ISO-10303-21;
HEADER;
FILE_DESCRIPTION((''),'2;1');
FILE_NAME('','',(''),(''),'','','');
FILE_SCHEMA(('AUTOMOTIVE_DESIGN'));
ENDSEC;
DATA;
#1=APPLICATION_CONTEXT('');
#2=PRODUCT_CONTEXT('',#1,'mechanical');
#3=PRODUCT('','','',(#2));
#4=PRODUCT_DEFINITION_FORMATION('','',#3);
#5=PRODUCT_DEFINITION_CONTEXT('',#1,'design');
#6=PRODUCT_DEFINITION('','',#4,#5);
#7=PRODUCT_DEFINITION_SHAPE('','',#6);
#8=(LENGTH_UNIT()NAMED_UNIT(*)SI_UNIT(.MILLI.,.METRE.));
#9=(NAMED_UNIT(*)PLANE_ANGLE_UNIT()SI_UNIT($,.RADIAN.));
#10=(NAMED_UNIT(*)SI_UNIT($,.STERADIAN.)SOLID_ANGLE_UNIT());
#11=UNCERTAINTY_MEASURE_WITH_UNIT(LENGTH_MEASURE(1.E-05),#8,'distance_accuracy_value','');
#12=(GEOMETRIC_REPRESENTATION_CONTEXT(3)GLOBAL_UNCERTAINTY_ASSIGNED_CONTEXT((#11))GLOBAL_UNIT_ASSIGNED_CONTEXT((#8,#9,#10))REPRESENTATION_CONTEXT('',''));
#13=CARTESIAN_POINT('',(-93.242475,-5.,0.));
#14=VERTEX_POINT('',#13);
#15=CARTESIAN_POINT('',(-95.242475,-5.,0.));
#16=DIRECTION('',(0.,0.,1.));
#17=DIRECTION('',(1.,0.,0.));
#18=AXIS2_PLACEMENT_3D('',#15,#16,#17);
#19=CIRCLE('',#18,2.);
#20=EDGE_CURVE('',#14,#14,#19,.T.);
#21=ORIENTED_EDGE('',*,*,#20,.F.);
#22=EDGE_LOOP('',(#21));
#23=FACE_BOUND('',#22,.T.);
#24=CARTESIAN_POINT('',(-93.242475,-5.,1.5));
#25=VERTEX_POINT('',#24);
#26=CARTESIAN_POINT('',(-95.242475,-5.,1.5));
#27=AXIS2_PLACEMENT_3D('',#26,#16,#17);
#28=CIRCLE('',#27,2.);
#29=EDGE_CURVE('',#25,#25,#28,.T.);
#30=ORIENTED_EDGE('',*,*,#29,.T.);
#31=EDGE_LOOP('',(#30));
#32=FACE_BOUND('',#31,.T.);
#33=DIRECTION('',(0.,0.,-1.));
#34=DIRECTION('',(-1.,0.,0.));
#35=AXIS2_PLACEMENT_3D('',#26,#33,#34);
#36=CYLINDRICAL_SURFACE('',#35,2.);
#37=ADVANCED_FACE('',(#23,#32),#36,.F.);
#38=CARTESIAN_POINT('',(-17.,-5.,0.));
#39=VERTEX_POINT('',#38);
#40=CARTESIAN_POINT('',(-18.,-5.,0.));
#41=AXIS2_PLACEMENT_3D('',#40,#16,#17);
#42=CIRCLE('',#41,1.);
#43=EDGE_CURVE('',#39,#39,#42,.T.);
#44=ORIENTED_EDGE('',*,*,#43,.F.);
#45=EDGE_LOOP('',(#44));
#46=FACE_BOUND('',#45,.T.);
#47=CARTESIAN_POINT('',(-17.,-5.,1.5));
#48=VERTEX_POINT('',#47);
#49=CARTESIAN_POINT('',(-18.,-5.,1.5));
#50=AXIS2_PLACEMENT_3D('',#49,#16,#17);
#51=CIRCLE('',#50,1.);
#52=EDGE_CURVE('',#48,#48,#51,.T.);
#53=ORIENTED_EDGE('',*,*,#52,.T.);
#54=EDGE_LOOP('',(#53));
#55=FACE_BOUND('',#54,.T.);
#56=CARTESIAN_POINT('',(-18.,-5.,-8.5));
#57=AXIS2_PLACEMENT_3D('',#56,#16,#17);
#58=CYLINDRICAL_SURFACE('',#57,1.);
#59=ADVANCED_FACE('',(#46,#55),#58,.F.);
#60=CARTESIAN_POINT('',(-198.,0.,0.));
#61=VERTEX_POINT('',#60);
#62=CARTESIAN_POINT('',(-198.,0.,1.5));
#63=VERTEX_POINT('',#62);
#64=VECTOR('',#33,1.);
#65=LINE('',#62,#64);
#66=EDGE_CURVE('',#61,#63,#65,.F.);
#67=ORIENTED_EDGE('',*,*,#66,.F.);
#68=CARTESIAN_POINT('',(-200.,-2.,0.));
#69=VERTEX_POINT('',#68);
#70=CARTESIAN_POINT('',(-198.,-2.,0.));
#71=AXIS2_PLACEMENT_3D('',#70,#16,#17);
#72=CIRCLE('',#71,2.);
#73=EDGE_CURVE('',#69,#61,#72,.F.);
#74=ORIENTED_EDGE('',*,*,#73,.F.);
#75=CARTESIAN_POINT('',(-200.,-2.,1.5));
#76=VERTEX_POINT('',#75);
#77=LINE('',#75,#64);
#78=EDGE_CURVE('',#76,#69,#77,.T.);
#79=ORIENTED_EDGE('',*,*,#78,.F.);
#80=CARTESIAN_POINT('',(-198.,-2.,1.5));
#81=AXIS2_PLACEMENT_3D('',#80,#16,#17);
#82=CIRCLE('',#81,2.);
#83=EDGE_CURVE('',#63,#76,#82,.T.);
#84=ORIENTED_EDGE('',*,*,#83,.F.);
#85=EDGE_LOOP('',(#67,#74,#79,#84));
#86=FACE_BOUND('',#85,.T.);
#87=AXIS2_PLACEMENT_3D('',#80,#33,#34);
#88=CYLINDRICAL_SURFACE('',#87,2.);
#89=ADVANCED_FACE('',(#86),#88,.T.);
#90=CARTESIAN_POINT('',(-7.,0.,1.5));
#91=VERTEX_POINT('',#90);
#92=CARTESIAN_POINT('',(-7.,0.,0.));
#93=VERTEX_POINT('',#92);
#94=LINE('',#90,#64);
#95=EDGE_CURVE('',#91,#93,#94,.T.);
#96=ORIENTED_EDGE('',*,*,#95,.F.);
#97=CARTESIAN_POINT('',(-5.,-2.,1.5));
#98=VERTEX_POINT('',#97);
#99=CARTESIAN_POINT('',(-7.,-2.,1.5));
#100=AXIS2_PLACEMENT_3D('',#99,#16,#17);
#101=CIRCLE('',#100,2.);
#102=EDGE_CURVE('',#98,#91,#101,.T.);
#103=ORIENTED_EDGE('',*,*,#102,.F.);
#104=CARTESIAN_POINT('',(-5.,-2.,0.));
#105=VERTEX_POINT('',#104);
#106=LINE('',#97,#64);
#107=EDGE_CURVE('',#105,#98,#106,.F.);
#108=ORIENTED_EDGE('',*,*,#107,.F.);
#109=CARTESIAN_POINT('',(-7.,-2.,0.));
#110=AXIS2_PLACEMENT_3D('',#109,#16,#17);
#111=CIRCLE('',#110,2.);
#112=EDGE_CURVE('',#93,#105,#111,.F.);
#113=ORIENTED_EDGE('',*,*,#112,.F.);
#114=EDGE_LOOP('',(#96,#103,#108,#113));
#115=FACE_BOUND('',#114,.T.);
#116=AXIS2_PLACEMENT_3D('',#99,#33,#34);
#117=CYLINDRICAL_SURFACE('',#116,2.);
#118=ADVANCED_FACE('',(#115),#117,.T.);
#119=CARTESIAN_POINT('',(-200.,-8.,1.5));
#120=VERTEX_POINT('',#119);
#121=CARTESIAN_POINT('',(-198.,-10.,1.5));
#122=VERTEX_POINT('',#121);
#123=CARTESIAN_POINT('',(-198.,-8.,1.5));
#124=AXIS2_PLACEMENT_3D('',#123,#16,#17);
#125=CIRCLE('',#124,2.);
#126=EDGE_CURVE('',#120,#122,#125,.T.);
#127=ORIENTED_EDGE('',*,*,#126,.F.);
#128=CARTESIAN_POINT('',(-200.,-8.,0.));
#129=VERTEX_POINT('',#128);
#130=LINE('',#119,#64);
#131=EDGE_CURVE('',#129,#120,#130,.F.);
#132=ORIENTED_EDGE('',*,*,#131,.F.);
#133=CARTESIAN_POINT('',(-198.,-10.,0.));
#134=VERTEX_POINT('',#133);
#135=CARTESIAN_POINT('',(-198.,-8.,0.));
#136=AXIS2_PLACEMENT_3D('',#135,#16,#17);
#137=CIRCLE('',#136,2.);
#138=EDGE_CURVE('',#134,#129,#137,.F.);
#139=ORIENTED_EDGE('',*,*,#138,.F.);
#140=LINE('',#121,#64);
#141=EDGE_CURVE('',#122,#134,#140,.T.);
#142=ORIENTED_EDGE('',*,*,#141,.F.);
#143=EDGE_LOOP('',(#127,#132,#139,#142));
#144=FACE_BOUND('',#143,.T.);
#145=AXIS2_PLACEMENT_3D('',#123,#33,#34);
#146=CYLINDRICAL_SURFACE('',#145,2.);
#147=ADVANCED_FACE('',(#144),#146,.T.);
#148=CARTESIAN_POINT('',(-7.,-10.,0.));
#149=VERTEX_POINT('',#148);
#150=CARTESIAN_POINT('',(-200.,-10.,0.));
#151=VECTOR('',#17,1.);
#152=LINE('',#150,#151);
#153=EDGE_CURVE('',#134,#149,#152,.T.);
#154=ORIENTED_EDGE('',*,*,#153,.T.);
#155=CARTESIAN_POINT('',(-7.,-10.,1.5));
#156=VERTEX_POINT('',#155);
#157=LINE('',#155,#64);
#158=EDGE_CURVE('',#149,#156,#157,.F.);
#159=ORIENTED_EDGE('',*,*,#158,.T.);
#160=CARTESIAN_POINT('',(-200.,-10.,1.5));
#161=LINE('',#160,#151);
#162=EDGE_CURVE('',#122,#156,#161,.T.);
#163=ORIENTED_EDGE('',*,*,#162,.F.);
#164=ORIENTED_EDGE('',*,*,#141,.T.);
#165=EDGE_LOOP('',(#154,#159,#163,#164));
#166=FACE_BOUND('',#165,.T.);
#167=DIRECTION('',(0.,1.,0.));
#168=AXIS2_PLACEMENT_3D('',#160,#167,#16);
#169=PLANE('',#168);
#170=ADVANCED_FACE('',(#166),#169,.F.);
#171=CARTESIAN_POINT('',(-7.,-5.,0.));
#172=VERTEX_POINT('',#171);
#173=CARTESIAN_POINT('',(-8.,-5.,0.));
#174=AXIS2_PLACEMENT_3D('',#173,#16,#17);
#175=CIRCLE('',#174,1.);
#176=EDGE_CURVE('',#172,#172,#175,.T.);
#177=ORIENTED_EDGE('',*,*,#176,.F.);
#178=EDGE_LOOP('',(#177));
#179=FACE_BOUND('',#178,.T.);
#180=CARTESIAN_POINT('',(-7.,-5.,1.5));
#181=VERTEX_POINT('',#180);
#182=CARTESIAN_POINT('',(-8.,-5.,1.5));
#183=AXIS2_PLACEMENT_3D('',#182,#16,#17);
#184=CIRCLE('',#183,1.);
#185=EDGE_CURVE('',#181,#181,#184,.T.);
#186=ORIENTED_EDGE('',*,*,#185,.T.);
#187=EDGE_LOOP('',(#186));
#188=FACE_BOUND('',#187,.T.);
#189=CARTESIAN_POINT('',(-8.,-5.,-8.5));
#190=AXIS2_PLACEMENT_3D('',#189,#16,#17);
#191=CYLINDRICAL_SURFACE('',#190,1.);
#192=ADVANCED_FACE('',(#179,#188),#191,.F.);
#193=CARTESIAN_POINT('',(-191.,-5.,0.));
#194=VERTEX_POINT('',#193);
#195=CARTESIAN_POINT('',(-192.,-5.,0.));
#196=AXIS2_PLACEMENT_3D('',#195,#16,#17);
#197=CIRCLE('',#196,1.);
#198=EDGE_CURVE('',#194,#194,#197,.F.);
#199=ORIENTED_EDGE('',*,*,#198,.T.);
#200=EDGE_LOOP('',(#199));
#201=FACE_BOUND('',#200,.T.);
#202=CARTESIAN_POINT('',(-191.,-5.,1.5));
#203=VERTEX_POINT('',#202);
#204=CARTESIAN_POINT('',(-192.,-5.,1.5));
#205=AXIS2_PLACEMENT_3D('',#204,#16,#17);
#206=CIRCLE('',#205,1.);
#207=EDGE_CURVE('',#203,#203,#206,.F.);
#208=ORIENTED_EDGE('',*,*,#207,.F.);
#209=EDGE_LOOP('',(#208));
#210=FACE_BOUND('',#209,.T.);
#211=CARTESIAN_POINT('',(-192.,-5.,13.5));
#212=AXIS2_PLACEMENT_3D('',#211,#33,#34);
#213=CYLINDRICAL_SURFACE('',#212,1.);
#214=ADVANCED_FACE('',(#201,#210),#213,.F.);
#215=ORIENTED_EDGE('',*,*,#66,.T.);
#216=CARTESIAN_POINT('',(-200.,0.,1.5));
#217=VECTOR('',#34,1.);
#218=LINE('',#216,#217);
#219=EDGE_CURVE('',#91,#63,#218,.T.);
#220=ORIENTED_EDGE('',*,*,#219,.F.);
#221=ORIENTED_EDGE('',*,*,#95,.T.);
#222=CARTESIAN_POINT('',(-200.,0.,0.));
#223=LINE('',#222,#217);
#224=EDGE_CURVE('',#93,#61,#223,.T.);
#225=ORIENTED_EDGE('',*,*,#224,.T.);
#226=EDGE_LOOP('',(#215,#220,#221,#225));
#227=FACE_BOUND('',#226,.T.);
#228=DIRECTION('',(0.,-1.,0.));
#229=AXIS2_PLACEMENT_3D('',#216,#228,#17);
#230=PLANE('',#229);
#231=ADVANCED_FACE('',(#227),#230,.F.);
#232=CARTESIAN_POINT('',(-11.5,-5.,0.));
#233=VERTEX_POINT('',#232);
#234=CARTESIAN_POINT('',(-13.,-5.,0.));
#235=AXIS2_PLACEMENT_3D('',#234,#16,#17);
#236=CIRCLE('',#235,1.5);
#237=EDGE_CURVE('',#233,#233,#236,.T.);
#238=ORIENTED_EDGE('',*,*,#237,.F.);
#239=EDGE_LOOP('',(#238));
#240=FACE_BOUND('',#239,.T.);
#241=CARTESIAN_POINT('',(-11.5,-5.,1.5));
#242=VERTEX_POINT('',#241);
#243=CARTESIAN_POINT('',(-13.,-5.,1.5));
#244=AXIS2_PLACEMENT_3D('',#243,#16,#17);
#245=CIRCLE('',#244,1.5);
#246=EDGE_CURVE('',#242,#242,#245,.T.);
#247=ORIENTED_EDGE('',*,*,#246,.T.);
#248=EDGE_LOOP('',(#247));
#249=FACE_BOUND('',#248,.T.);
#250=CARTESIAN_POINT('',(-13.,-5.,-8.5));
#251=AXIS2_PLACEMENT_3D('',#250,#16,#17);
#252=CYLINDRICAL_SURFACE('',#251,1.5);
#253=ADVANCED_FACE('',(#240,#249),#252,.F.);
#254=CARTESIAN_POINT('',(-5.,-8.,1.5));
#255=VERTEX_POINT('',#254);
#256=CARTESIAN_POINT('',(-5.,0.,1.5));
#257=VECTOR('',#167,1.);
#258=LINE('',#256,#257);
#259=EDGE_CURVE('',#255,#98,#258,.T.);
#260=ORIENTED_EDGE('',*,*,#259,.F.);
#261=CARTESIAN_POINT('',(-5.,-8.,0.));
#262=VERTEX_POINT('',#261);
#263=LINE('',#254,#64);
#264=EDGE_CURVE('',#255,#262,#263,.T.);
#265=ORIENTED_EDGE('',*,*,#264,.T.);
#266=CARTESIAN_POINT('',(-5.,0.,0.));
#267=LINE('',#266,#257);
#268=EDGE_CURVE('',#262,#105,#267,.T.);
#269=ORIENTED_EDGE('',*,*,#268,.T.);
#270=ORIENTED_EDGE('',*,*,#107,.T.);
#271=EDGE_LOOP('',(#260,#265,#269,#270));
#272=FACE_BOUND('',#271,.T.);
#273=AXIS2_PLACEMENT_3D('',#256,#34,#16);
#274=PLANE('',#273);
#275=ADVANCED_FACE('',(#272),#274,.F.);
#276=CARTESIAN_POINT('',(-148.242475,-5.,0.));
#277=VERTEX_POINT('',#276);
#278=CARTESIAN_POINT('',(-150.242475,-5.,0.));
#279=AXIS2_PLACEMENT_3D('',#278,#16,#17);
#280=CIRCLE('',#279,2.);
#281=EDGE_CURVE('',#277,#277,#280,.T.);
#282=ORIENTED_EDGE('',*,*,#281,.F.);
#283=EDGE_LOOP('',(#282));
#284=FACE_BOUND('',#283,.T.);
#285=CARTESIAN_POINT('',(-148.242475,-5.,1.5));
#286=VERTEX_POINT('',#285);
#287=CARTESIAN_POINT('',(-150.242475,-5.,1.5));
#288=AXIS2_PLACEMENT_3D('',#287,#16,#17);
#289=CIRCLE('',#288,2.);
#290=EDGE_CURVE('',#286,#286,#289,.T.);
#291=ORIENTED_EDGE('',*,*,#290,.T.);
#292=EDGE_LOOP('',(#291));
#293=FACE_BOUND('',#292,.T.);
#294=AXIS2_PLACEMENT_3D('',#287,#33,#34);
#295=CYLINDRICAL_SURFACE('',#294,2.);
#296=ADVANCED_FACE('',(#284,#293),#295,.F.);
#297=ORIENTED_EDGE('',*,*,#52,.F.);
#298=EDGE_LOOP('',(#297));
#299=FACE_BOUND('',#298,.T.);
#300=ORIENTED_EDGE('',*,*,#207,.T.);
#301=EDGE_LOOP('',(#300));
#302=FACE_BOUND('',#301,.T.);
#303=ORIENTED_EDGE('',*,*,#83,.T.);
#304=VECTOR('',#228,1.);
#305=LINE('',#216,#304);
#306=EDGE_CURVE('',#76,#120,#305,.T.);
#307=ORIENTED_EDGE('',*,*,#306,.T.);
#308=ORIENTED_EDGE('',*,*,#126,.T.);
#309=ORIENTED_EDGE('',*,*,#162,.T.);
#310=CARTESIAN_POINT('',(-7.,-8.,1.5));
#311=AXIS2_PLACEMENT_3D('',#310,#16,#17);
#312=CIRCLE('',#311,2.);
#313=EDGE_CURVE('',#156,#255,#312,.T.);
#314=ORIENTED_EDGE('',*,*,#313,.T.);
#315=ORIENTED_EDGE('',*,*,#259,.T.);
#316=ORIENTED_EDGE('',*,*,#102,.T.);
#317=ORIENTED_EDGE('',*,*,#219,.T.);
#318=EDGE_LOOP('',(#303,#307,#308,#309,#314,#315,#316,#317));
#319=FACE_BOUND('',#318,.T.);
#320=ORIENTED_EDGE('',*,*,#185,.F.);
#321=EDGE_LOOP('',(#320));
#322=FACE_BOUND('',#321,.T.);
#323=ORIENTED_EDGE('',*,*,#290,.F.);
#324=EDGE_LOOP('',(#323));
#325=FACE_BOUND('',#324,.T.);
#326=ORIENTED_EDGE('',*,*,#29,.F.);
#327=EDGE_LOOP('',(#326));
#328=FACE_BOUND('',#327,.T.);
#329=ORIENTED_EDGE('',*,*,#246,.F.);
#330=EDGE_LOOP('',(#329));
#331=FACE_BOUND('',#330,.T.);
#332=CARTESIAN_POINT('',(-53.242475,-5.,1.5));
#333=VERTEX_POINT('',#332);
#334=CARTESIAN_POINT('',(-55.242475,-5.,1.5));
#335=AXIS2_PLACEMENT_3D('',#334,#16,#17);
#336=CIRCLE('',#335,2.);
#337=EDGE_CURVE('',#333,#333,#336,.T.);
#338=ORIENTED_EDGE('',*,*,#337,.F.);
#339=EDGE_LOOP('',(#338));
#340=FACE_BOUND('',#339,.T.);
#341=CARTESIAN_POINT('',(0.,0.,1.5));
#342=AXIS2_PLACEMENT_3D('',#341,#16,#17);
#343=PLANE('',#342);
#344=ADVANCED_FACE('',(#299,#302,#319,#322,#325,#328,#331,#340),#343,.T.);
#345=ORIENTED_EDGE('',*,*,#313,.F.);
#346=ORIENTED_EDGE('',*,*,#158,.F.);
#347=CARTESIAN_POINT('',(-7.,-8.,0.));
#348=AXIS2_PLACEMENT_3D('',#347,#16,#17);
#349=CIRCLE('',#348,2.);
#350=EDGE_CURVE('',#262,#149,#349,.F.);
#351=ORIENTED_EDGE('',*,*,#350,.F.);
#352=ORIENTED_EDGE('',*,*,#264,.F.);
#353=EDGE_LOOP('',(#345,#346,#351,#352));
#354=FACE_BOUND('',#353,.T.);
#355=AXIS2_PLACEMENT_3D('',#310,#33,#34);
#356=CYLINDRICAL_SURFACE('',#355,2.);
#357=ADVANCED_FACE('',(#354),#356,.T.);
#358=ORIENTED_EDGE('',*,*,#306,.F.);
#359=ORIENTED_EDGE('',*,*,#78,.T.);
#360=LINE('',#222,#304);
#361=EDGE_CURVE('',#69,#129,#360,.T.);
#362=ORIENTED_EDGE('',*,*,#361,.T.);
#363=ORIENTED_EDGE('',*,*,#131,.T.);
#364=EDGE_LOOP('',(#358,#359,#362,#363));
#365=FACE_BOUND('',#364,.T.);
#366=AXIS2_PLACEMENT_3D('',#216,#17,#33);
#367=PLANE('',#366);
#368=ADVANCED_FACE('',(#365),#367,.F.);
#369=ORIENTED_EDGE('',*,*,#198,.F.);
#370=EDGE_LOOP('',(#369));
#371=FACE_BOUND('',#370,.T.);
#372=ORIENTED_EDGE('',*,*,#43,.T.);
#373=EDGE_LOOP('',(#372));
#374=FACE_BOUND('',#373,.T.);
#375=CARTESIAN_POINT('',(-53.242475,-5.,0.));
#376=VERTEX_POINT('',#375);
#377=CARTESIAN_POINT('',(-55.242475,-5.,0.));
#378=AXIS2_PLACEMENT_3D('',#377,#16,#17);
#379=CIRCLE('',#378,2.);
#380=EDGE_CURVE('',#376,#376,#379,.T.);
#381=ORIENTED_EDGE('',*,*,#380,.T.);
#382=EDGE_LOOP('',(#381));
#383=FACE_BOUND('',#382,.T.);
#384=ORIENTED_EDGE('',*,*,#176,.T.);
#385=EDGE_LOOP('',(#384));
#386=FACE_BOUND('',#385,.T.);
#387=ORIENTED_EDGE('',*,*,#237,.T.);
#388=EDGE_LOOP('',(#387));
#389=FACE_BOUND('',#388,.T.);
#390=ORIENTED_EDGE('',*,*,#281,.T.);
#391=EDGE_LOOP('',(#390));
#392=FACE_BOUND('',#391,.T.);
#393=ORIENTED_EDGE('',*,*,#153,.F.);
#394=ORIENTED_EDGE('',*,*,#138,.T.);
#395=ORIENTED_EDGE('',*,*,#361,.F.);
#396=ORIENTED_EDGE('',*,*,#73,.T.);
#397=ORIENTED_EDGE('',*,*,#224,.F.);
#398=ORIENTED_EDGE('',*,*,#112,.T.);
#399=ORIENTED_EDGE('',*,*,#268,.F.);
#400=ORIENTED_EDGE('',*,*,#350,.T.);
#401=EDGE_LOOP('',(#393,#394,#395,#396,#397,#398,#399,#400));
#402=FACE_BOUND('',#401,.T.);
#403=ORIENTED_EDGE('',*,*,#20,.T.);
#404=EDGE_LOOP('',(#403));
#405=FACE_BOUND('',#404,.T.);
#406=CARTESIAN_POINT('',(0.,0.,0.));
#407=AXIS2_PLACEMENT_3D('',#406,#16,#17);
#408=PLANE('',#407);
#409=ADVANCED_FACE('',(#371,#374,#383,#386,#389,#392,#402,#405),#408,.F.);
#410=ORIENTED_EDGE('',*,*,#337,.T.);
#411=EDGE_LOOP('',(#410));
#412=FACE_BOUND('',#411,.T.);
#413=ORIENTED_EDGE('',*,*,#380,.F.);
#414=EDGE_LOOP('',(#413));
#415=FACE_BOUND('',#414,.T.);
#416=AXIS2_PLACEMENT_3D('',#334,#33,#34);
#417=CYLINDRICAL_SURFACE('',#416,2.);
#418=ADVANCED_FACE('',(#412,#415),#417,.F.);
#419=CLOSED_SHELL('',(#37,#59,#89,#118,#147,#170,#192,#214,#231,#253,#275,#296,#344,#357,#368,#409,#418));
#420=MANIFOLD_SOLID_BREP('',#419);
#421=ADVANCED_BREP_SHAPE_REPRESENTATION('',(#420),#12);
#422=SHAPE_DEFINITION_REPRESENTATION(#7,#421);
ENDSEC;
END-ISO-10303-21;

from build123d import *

# Parameters (mm, degrees)
SKETCH_1_W               = 195
SKETCH_1_H               = 10
SKETCH_1_R               = 2
EXTRUDE_1_DEPTH          = 1.5
CUT_EXTRUDE_1_DEPTH      = 12
CUT_EXTRUDE_1_DEPTH_BACK = 15
SKETCH_2_R               = 1
SKETCH_3_R               = 1
SKETCH_3_R_2             = 1.5
CUT_EXTRUDE_2_DEPTH      = 10
FILLET_1_R               = 2


with BuildPart() as part:
    # 草图1 → 凸台-拉伸1 (new body)
    with BuildSketch(Plane.XY):
        with Locations((-102.5, -5)):
            Rectangle(SKETCH_1_W, SKETCH_1_H)
        with Locations((-55.242474917, -5.000000002)):
            Circle(SKETCH_1_R, mode=Mode.SUBTRACT)
        with Locations((-95.242474917, -5.000000002)):
            Circle(SKETCH_1_R, mode=Mode.SUBTRACT)
        with Locations((-150.242474917, -5.000000002)):
            Circle(SKETCH_1_R, mode=Mode.SUBTRACT)
    extrude(amount=EXTRUDE_1_DEPTH)

    # 草图2 → 切除-拉伸1 (cut, two sides: drawn at the far end of the back side and taken through both)
    with BuildSketch(Plane.XY.offset(1.5).offset(-CUT_EXTRUDE_1_DEPTH_BACK)):
        with Locations((-192, -5)):
            Circle(SKETCH_2_R)
    extrude(amount=CUT_EXTRUDE_1_DEPTH + CUT_EXTRUDE_1_DEPTH_BACK, mode=Mode.SUBTRACT)

    # 草图3 → 切除-拉伸2 (cut)
    with BuildSketch(Plane.XY.offset(1.5)):
        with Locations((-8, -5)):
            Circle(SKETCH_3_R)
        with Locations((-13, -5)):
            Circle(SKETCH_3_R_2)
        with Locations((-18, -5)):
            Circle(SKETCH_3_R)
    extrude(amount=-CUT_EXTRUDE_2_DEPTH, mode=Mode.SUBTRACT)

    # 圆角1
    fillet_1_edges = [part.edges().sort_by_distance(p)[0] for p in [
        (-200, 0, 0.75),
        (-5, 0, 0.75),
        (-5, -10, 0.75),
        (-200, -10, 0.75),
    ]]
    fillet(fillet_1_edges, radius=FILLET_1_R)


solid = part.part
